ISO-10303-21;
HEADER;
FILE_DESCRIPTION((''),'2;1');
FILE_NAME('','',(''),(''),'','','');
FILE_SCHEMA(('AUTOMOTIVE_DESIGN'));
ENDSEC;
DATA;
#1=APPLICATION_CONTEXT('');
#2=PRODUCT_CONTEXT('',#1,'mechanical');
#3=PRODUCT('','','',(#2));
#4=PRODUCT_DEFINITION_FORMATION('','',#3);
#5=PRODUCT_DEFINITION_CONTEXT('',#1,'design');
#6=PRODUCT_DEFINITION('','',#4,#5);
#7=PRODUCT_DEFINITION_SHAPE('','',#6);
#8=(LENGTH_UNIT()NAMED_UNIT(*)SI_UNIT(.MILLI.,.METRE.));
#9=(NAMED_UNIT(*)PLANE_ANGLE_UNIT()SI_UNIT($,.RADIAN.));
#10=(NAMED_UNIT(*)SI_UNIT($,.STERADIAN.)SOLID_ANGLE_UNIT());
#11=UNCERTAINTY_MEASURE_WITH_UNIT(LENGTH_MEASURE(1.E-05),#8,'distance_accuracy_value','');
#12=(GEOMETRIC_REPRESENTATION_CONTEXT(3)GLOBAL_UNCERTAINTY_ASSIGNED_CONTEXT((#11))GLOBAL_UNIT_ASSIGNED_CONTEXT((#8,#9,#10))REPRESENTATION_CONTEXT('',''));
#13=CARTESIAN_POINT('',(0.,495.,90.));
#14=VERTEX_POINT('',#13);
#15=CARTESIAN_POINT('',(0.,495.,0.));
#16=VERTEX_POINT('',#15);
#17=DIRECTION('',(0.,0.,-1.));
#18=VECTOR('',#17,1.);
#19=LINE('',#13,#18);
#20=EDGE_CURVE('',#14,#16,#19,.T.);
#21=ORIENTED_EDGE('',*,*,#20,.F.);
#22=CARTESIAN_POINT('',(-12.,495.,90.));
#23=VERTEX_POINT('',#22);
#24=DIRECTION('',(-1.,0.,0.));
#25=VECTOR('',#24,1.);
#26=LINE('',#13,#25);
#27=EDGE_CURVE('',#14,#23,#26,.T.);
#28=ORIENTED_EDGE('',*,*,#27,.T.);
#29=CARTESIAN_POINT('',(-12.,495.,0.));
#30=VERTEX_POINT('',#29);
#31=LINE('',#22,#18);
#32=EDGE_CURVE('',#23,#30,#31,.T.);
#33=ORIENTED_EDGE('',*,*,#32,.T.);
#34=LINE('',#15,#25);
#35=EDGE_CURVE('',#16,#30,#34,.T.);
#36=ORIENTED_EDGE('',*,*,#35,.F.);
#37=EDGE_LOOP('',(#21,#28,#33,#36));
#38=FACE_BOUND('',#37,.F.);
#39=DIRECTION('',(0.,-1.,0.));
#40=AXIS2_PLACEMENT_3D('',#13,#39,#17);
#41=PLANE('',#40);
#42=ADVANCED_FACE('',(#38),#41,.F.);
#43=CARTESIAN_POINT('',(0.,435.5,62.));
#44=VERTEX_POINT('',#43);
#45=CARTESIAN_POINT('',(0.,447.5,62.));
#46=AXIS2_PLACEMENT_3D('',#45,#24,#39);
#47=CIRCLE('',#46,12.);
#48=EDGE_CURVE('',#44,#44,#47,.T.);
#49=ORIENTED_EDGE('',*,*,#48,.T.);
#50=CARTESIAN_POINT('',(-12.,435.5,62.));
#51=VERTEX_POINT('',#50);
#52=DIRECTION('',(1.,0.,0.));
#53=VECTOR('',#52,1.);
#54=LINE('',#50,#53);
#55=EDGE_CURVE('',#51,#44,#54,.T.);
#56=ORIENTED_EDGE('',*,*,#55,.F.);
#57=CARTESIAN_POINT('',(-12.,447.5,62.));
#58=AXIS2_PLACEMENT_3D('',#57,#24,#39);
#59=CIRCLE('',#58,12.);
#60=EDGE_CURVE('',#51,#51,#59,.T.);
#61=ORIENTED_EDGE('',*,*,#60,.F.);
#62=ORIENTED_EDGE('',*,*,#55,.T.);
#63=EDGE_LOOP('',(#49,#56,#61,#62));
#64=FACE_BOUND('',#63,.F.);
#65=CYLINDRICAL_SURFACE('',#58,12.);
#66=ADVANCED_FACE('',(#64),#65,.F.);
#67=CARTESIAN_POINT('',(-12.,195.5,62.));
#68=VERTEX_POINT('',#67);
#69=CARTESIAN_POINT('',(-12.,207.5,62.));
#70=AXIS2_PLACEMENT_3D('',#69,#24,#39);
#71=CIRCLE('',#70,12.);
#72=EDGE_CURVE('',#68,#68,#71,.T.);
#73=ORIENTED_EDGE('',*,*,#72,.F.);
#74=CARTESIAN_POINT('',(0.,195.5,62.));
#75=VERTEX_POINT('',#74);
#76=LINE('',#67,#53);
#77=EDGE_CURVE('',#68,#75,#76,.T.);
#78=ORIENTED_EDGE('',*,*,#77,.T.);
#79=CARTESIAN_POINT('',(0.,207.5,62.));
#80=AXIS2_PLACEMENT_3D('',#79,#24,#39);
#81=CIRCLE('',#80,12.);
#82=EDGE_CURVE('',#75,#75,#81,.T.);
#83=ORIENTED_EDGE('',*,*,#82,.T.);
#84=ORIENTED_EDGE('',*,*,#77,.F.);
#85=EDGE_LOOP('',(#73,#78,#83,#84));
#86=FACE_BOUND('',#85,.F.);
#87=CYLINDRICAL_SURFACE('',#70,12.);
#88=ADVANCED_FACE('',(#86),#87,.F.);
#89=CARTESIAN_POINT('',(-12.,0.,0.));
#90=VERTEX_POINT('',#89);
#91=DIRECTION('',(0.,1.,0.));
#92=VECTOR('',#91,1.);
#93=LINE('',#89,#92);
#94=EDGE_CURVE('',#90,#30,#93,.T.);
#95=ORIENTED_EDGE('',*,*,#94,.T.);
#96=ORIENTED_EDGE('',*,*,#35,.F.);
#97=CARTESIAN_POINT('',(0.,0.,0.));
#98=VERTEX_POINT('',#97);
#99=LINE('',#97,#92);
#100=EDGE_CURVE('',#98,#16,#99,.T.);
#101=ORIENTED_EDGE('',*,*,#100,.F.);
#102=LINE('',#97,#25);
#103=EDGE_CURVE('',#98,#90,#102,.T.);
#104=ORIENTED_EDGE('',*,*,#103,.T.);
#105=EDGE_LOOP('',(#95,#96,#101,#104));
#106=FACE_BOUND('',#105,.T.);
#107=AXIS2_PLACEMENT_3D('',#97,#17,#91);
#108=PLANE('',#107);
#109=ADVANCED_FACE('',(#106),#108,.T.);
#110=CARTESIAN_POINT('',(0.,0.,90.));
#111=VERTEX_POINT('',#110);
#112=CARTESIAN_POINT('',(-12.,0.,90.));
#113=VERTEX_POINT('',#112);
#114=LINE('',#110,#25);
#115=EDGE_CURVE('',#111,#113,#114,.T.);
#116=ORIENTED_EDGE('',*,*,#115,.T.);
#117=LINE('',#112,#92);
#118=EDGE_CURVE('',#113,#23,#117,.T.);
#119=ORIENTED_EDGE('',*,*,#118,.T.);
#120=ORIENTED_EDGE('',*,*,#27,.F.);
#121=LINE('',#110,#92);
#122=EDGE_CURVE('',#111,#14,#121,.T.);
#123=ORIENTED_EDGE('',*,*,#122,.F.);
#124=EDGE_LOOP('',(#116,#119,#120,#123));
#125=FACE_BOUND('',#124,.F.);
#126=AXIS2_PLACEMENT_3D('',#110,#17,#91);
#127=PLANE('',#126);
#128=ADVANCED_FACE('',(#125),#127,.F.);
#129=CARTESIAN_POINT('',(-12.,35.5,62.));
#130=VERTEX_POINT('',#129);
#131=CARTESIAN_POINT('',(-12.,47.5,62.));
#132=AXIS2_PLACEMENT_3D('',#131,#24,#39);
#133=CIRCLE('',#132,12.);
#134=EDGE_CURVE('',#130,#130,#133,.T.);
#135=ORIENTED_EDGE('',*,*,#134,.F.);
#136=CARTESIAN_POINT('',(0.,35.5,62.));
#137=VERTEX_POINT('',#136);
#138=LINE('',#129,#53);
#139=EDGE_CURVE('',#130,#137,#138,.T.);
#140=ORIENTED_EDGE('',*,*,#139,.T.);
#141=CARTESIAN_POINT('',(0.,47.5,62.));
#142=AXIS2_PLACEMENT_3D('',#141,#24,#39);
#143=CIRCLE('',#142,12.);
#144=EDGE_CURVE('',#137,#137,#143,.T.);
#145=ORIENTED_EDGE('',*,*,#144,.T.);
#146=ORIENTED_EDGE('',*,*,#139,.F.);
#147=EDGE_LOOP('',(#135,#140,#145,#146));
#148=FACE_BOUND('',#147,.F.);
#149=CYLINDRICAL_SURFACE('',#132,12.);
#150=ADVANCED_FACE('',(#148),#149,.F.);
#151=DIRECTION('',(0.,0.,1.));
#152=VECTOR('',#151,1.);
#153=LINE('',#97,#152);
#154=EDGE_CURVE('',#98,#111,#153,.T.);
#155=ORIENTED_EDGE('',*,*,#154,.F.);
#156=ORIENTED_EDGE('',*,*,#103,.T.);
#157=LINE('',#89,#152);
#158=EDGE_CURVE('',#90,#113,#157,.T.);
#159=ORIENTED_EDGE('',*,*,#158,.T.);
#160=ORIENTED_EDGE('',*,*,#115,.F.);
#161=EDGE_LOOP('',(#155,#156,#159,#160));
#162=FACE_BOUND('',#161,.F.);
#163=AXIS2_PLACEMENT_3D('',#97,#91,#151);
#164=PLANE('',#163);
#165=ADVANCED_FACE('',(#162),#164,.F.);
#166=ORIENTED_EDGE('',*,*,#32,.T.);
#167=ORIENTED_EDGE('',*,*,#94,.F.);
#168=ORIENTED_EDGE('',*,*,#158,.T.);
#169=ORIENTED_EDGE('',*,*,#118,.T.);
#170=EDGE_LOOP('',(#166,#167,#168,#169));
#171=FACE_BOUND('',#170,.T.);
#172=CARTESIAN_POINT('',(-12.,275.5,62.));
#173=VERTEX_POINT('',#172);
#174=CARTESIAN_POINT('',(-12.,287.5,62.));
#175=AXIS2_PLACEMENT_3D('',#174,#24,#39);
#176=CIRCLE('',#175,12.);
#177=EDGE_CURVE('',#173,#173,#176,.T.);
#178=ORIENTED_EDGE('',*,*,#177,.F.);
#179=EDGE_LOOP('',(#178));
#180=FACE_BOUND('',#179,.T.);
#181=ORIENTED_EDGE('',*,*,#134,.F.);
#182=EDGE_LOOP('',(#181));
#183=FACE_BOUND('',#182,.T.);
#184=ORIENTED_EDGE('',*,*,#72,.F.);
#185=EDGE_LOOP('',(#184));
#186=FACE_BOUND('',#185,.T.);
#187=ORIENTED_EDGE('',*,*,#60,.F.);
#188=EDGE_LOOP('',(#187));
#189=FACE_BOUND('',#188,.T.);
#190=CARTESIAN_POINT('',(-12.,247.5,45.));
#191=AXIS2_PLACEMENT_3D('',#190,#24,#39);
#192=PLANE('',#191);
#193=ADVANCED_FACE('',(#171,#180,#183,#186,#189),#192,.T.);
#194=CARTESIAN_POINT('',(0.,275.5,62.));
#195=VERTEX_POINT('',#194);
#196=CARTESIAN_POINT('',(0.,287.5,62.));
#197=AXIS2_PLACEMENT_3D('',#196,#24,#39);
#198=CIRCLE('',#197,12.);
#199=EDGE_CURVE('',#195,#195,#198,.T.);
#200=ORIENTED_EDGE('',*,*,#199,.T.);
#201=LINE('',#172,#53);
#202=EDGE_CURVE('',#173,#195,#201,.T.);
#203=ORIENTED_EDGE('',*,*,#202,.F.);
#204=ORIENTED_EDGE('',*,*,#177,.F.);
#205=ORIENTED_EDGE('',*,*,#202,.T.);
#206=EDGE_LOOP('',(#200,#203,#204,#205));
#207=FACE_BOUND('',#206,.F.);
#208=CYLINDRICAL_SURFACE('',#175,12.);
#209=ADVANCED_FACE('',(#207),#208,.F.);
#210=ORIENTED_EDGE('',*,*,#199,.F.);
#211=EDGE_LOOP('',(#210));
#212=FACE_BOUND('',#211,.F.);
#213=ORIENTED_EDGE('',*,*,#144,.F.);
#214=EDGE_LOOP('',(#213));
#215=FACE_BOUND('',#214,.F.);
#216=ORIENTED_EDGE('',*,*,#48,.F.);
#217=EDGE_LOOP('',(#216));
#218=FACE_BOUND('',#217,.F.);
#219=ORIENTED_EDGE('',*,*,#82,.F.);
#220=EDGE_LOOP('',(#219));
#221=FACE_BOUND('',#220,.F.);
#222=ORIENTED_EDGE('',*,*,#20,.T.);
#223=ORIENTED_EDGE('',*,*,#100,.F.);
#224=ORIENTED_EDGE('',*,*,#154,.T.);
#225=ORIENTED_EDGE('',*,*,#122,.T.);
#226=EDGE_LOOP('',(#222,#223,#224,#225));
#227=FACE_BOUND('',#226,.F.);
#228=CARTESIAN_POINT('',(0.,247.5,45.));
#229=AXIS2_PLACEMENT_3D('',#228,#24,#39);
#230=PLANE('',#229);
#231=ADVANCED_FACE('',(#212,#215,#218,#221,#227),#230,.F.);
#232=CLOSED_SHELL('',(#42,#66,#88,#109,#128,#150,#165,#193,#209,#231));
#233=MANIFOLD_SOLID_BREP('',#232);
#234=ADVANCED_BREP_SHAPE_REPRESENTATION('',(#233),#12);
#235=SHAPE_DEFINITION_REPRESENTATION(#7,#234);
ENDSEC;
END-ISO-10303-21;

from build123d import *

# Parameters (mm, degrees)
PAD_DEPTH    = 12
SKETCH001_R  = 12
POCKET_DEPTH = 20


with BuildPart() as part:
    # Sketch → Pad (new body)
    with BuildSketch(Plane.YZ):
        Polygon((0, 0), (0, 90), (495, 90), (495, 0), (247.5, 0), align=None)
    extrude(amount=-PAD_DEPTH)

    # Sketch001 (on Face7 of Pad) → Pocket (cut)
    with BuildSketch(Plane(origin=(-12, 0, 0), x_dir=(0, -1, 0), z_dir=(-1, 0, 0))):
        with Locations((-207.5, 62)):
            Circle(SKETCH001_R)
        with Locations((-287.5, 62)):
            Circle(SKETCH001_R)
        with Locations((-447.5, 62)):
            Circle(SKETCH001_R)
        with Locations((-47.5, 62)):
            Circle(SKETCH001_R)
    extrude(amount=-POCKET_DEPTH, mode=Mode.SUBTRACT)


solid = part.part
